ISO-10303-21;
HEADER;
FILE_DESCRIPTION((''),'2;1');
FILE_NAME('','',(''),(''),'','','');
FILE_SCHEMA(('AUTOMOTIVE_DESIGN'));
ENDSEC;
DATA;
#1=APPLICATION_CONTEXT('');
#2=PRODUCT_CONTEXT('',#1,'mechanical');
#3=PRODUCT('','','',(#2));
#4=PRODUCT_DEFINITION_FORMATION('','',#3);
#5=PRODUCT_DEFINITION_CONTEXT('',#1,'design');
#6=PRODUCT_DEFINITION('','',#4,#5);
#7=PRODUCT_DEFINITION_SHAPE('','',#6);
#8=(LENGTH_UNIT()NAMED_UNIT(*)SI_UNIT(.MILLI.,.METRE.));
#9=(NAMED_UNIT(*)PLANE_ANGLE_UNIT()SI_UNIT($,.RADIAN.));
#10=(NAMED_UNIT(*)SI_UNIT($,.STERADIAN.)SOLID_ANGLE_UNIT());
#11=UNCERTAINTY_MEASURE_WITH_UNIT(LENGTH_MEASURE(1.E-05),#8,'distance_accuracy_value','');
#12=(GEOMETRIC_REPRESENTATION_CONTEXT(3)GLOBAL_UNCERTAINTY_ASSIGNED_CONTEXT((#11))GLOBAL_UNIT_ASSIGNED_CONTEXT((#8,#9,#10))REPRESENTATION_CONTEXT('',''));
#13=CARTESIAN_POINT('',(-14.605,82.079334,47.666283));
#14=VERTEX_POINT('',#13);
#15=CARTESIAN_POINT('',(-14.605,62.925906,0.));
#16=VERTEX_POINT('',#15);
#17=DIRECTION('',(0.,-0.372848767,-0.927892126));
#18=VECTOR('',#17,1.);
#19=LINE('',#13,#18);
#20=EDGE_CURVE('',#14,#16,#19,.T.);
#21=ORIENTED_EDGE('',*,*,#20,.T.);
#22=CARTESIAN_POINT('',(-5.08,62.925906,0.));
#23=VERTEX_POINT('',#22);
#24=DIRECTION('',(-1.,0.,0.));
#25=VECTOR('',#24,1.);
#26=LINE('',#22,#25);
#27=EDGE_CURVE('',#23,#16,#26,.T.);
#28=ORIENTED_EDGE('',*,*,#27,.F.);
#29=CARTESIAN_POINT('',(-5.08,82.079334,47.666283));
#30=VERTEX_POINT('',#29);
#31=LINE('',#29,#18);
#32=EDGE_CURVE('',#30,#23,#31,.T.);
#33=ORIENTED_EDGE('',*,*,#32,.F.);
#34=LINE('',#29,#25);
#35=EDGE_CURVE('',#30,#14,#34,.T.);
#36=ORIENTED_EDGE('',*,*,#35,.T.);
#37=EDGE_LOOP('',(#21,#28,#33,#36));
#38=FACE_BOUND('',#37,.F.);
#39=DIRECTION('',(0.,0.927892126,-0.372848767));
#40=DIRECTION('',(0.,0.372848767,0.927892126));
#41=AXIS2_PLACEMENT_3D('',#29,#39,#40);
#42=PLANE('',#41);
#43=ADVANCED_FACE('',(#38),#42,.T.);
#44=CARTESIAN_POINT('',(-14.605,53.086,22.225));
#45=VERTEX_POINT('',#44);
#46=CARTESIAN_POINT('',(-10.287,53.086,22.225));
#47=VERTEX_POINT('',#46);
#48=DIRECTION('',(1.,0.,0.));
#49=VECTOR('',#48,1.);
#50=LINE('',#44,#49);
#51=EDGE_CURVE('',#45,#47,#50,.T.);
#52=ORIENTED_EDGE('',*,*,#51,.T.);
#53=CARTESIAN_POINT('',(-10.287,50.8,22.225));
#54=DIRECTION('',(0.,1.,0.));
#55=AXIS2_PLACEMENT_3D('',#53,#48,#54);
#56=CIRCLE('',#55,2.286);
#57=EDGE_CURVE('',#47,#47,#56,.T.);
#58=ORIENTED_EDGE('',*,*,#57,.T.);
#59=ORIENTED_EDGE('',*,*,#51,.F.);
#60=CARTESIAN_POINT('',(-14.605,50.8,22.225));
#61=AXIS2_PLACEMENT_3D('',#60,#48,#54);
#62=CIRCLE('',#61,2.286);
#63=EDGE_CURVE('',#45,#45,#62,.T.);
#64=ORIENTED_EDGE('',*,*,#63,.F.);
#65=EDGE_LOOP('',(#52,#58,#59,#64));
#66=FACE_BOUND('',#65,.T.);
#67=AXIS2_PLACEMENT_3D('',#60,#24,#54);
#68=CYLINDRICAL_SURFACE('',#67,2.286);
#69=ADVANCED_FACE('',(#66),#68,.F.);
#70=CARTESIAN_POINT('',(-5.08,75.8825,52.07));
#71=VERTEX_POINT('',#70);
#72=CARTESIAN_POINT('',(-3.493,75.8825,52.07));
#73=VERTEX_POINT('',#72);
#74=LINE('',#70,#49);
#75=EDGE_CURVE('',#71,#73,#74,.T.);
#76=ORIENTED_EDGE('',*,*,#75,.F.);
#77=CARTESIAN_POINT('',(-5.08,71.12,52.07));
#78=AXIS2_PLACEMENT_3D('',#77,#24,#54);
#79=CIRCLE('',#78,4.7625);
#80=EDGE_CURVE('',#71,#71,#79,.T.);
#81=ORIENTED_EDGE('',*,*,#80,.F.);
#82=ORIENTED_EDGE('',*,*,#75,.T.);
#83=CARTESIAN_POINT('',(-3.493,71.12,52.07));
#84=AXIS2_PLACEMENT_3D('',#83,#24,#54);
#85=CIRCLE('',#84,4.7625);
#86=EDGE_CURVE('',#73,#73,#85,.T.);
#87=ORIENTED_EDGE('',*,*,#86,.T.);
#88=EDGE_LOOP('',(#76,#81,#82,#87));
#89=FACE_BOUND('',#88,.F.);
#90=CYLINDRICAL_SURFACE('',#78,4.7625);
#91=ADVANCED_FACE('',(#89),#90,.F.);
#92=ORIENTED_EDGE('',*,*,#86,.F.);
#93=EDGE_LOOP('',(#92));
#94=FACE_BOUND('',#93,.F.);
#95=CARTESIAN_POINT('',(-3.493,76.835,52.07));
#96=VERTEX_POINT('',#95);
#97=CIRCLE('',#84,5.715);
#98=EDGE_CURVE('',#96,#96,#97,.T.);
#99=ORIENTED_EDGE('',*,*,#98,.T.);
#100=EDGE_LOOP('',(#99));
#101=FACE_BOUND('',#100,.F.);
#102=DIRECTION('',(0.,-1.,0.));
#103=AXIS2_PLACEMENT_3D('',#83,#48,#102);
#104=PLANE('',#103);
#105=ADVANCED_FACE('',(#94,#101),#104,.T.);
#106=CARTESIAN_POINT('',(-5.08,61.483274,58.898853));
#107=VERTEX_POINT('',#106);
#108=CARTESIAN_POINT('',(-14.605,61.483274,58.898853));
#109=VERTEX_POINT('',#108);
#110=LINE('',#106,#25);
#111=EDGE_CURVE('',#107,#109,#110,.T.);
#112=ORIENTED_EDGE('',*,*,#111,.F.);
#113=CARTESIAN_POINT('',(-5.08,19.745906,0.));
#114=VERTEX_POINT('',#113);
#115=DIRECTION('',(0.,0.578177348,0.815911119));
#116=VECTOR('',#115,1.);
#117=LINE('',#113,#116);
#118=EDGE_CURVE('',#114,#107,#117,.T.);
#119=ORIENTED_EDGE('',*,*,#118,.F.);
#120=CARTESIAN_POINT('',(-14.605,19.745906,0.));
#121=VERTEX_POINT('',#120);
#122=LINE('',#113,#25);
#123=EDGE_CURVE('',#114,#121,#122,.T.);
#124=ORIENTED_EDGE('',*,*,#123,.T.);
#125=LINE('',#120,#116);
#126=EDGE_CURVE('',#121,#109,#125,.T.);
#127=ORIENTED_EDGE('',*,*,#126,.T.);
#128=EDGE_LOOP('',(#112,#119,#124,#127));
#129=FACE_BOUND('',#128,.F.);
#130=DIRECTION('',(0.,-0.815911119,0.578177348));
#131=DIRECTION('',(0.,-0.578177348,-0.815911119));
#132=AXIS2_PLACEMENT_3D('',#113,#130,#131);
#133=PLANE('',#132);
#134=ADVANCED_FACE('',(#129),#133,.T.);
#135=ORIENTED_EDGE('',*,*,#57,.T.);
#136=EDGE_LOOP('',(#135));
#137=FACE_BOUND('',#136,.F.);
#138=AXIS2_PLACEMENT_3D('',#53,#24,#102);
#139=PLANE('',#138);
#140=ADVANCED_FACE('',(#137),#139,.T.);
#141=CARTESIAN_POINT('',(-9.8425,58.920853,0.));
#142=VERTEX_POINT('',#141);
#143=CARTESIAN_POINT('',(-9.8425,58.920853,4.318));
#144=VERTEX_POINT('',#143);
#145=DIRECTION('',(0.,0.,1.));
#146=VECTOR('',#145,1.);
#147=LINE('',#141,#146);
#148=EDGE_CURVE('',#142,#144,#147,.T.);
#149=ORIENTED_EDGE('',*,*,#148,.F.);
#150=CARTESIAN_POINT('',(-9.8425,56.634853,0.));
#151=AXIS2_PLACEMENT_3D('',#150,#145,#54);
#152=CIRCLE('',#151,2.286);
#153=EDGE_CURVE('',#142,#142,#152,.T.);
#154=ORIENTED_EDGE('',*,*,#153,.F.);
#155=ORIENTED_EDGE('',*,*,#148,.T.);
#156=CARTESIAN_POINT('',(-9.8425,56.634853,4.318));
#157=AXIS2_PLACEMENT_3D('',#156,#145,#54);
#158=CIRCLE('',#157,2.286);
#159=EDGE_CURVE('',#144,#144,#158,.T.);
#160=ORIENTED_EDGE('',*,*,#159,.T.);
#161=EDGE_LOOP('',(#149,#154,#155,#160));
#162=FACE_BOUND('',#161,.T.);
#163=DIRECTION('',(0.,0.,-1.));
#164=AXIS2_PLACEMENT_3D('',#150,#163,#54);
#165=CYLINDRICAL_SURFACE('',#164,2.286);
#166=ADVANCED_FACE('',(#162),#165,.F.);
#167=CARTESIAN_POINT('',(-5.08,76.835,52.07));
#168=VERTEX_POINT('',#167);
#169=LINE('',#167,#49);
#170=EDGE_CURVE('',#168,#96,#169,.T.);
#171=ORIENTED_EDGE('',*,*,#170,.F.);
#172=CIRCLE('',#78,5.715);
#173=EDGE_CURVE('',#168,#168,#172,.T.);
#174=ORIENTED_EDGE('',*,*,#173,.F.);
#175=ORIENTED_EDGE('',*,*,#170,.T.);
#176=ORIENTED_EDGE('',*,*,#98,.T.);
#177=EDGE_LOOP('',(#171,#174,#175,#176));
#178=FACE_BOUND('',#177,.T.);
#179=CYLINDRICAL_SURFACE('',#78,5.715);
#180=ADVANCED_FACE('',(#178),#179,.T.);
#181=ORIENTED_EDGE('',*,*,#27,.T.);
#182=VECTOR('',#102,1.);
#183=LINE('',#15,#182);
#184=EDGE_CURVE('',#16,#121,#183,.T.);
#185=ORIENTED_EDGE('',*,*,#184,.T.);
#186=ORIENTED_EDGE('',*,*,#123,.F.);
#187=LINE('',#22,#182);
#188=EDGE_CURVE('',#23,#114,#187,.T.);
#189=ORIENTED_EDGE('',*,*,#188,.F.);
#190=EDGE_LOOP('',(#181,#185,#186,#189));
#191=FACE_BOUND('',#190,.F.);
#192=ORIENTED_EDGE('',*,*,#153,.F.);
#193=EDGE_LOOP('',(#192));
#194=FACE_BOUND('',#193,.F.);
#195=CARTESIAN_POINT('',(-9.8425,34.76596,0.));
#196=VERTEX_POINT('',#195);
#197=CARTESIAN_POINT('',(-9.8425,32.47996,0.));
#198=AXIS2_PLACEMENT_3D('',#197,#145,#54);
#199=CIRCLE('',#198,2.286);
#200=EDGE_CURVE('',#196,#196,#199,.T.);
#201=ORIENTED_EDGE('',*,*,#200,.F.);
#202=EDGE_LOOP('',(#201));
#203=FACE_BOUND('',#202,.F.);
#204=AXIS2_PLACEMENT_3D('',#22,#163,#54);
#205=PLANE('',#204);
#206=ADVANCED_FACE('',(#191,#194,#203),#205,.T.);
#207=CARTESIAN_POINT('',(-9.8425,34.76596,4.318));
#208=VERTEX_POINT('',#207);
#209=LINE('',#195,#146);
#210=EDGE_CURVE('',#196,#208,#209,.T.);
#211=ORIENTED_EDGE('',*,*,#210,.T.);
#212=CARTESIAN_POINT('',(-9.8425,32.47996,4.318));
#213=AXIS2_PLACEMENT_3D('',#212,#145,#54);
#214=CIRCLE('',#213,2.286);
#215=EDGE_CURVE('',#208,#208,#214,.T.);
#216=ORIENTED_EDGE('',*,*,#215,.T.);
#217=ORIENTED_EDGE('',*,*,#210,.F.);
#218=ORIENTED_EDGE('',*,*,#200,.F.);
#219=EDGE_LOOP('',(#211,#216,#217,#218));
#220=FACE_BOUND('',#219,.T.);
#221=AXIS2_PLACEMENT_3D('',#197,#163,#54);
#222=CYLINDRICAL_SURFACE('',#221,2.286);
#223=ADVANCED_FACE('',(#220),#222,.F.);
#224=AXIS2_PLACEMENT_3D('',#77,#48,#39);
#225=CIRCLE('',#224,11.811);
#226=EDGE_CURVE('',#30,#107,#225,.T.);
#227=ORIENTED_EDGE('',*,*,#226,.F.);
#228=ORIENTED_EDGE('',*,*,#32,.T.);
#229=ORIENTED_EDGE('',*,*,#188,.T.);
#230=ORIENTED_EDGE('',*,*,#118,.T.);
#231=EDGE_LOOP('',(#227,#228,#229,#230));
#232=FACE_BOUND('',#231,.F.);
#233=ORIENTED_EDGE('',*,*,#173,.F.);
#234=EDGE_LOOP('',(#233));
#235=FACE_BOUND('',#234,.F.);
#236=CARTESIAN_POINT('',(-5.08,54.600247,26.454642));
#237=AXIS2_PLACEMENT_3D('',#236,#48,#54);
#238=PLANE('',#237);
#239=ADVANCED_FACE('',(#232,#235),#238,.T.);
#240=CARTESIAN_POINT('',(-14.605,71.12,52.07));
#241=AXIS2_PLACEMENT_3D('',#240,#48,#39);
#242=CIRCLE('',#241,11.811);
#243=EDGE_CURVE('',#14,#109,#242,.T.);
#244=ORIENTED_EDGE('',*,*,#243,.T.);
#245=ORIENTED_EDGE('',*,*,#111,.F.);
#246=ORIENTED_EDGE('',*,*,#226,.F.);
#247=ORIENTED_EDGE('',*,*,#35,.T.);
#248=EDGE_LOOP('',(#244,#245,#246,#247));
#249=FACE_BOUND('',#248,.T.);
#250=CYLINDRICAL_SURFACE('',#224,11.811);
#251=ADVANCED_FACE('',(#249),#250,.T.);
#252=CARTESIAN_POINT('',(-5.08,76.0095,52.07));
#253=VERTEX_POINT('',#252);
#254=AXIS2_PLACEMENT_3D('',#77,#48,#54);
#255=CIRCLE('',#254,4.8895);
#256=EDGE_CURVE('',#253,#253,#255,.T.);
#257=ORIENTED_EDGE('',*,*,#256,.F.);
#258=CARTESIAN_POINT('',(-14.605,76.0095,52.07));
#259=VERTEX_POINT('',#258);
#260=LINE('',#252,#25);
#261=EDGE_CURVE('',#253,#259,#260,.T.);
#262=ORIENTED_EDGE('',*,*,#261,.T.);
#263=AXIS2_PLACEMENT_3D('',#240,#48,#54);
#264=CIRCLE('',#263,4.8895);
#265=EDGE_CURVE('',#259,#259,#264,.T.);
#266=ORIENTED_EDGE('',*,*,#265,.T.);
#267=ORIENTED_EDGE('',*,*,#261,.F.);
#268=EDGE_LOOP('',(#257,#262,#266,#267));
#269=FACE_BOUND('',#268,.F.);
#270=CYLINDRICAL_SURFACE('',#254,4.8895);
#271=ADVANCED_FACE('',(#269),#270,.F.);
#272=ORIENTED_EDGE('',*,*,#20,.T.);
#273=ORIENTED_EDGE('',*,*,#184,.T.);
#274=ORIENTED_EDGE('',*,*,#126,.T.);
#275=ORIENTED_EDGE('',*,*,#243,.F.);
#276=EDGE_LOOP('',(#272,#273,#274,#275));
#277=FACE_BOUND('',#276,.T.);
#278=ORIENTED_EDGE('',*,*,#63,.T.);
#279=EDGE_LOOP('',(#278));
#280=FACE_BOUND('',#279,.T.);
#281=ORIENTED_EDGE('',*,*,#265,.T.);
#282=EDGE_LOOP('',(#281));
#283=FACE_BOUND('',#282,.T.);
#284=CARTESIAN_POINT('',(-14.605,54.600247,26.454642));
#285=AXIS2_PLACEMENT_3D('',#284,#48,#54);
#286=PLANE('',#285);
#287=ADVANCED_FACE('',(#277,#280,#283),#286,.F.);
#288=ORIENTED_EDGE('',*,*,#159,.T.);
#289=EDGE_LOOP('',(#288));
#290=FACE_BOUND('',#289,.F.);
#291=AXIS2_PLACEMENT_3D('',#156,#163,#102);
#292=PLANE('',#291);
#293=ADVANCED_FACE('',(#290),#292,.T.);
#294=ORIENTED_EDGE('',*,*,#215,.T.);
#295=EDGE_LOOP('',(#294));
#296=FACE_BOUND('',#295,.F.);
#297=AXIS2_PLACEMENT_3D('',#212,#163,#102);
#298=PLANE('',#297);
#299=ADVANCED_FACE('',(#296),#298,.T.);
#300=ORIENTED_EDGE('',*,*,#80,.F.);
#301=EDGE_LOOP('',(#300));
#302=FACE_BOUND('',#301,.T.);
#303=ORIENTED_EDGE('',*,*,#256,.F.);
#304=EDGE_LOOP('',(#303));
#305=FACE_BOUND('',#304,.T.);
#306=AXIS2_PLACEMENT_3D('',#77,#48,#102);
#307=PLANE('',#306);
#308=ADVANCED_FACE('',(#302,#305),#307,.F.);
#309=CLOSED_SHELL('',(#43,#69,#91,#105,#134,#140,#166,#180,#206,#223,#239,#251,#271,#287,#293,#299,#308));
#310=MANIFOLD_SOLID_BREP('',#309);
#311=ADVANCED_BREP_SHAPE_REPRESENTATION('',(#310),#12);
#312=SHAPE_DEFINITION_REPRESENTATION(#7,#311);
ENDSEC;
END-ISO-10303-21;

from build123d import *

# Parameters (mm, degrees)
SKETCH024_R     = 4.8895
PAD013_DEPTH    = 9.525
SKETCH034_R     = 5.715
SKETCH034_R_2   = 4.7625
PAD018_DEPTH    = 1.587
SKETCH035_R     = 2.286
POCKET013_DEPTH = 4.318
SKETCH073_R     = 2.286
POCKET035_DEPTH = 4.318


with BuildPart() as wmountr:
    # Sketch024 → Pad013 (new body)
    with BuildSketch(Plane.YZ.offset(19.05)):
        with BuildLine():
            Line((12.125906, 0), (53.8632737741, 58.8988526596))
            ThreePointArc((74.4593338965, 47.6662832125), (69.1550841602, 62.43917278), (53.8632737741, 58.8988526596))
            Line((74.4593338965, 47.6662832125), (55.305906, 0))
            Line((55.305906, 0), (12.125906, 0))
        make_face()
        with Locations((63.5, 52.07)):
            Circle(SKETCH024_R, mode=Mode.SUBTRACT)
    extrude(amount=PAD013_DEPTH)

    # Sketch034 (on Face6 of Pad013) → Pad018 (join)
    with BuildSketch(Plane(origin=(19.05, 0, 0), x_dir=(0, 1, 0), z_dir=(-1, 0, 0))):
        with Locations((63.5, -52.07)):
            Circle(SKETCH034_R)
        with Locations((63.5, -52.07)):
            Circle(SKETCH034_R_2, mode=Mode.SUBTRACT)
    extrude(amount=PAD018_DEPTH)

    # Sketch035 (on Face3 of Pad018) → Pocket013 (cut)
    with BuildSketch(Plane.YX):
        with Locations((24.85996, 23.8125)):
            Circle(SKETCH035_R)
        with Locations((49.014852994, 23.8125)):
            Circle(SKETCH035_R)
    extrude(amount=-POCKET013_DEPTH, mode=Mode.SUBTRACT)

    # Sketch073 → Pocket035 (cut)
    with BuildSketch(Plane.YZ.offset(28.575)):
        with Locations((43.18, 22.225)):
            Circle(SKETCH073_R)
    extrude(amount=-POCKET035_DEPTH, mode=Mode.SUBTRACT)


with BuildPart() as wmountr_1:
    # Body005 placement: moved
    add(wmountr.part.moved(Location((-4.57, 7.62, 0))))


with BuildPart() as wmountl_mirror:
    # Part__Mirroring: instance of wmountr
    add(wmountr_1.part.mirror(Plane(origin=(0, 0, 0), x_dir=(0, -1, 0), z_dir=(1, 0, 0))))


with BuildPart() as wmountl_mirror_1:
    # Part__Mirroring placement: moved
    add(wmountl_mirror.part.moved(Location((9.4, 0, 0))))


solid = wmountl_mirror_1.part
